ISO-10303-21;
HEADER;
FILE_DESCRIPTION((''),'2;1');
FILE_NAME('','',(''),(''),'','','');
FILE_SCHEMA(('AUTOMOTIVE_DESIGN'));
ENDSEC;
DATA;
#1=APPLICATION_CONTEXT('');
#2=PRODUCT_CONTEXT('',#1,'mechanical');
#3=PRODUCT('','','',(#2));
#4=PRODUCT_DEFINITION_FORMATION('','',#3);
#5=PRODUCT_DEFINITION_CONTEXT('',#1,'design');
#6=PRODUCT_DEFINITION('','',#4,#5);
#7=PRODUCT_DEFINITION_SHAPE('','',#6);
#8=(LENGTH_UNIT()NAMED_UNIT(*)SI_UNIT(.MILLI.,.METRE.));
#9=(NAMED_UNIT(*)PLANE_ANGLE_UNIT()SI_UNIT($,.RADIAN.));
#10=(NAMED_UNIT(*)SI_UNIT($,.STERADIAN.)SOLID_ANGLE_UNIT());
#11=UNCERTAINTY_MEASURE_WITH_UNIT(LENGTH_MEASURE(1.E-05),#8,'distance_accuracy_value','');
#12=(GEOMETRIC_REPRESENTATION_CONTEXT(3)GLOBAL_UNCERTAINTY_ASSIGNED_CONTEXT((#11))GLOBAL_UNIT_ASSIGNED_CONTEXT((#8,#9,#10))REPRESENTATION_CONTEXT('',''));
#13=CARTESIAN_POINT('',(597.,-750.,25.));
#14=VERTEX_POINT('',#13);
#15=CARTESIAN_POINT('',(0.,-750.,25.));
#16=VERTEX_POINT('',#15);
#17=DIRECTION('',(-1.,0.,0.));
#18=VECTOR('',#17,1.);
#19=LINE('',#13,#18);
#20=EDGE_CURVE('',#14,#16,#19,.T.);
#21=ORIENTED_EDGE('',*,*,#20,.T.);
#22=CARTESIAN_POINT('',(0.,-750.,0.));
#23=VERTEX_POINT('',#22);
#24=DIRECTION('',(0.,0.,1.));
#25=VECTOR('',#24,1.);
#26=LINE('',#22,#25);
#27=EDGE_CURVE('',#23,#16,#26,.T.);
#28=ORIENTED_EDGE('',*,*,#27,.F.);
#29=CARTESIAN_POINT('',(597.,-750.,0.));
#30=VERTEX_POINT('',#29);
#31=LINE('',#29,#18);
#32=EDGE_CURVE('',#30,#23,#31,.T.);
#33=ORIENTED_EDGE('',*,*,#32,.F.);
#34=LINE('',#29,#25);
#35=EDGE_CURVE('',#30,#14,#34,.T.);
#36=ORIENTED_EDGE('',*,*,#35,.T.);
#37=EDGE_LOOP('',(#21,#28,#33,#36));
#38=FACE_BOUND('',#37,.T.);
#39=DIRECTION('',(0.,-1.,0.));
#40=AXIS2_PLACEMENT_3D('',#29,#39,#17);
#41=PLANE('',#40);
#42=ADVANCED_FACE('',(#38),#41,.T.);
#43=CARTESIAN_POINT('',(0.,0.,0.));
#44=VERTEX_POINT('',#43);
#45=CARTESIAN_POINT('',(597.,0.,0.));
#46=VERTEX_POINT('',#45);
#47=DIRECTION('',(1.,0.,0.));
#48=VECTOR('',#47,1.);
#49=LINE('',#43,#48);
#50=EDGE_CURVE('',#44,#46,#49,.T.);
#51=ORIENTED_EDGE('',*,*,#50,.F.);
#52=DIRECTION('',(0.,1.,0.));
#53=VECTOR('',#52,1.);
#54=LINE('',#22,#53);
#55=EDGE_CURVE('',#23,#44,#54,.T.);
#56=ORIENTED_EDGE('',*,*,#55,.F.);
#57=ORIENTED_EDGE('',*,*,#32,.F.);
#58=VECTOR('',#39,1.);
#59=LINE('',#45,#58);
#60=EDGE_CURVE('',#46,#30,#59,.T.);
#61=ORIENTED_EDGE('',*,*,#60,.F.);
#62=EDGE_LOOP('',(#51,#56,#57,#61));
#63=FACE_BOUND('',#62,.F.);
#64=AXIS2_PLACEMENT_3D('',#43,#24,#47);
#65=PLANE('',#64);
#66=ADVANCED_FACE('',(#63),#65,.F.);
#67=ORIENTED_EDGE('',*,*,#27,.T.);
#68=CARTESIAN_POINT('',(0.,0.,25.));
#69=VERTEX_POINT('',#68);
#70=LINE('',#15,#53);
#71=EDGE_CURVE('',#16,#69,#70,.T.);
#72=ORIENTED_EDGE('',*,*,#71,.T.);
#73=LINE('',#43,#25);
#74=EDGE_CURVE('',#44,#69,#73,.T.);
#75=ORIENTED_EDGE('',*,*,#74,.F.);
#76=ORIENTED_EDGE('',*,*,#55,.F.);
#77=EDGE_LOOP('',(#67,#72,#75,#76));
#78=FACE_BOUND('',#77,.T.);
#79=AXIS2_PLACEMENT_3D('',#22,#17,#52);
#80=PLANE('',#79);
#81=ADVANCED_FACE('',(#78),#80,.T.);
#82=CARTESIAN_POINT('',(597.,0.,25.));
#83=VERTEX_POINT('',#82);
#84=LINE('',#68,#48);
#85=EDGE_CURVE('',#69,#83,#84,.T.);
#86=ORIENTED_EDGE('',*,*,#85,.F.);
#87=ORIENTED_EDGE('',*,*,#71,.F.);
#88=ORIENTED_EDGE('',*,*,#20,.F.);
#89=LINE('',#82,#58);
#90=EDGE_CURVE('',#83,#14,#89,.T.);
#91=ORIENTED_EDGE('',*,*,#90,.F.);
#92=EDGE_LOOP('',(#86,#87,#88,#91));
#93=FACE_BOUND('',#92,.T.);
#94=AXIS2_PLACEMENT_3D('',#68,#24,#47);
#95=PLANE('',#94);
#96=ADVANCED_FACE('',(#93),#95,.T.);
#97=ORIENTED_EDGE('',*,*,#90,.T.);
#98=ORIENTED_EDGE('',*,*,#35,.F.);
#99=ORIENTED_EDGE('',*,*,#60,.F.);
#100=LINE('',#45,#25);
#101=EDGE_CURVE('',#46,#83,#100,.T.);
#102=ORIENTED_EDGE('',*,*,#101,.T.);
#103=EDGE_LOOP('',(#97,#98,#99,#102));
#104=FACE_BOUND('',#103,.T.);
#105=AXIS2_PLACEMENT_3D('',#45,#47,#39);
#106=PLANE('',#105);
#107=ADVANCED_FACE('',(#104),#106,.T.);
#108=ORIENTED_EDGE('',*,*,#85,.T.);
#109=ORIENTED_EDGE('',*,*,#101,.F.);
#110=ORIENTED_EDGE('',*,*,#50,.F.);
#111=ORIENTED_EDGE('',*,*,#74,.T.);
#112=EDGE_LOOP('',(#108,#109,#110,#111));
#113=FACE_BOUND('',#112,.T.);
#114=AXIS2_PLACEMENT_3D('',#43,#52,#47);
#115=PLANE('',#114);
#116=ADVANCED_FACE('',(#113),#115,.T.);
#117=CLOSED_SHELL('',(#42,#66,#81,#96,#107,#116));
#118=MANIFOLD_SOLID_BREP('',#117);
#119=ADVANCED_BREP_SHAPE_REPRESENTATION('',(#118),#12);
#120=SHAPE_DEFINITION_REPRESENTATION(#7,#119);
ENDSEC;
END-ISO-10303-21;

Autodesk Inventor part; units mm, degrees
ref_plane "YZ Plane" through (0, 0, 0) normal (1, 0, 0) x (0, 1, 0)
ref_plane "XZ Plane" through (0, 0, 0) normal (0, 1, 0) x (-1, 0, 0)
ref_plane "XY Plane" through (0, 0, 0) normal (0, 0, 1) x (1, 0, 0)
sketch "Boceto1" plane through (0, 0, 0) normal (0, 0, 1) x (1, 0, 0)
  line L0 (0, 0) -> (597, 0)
  line L1 (597, 0) -> (597, -750)
  line L2 (597, -750) -> (0, -750)
  line L3 (0, -750) -> (0, 0)
  dimension "d0" = 597
  dimension "d1" = 750
extrude "Extrusión1" add sketch "Boceto1" along normal blind 25
properties part number "PataMadera1"
